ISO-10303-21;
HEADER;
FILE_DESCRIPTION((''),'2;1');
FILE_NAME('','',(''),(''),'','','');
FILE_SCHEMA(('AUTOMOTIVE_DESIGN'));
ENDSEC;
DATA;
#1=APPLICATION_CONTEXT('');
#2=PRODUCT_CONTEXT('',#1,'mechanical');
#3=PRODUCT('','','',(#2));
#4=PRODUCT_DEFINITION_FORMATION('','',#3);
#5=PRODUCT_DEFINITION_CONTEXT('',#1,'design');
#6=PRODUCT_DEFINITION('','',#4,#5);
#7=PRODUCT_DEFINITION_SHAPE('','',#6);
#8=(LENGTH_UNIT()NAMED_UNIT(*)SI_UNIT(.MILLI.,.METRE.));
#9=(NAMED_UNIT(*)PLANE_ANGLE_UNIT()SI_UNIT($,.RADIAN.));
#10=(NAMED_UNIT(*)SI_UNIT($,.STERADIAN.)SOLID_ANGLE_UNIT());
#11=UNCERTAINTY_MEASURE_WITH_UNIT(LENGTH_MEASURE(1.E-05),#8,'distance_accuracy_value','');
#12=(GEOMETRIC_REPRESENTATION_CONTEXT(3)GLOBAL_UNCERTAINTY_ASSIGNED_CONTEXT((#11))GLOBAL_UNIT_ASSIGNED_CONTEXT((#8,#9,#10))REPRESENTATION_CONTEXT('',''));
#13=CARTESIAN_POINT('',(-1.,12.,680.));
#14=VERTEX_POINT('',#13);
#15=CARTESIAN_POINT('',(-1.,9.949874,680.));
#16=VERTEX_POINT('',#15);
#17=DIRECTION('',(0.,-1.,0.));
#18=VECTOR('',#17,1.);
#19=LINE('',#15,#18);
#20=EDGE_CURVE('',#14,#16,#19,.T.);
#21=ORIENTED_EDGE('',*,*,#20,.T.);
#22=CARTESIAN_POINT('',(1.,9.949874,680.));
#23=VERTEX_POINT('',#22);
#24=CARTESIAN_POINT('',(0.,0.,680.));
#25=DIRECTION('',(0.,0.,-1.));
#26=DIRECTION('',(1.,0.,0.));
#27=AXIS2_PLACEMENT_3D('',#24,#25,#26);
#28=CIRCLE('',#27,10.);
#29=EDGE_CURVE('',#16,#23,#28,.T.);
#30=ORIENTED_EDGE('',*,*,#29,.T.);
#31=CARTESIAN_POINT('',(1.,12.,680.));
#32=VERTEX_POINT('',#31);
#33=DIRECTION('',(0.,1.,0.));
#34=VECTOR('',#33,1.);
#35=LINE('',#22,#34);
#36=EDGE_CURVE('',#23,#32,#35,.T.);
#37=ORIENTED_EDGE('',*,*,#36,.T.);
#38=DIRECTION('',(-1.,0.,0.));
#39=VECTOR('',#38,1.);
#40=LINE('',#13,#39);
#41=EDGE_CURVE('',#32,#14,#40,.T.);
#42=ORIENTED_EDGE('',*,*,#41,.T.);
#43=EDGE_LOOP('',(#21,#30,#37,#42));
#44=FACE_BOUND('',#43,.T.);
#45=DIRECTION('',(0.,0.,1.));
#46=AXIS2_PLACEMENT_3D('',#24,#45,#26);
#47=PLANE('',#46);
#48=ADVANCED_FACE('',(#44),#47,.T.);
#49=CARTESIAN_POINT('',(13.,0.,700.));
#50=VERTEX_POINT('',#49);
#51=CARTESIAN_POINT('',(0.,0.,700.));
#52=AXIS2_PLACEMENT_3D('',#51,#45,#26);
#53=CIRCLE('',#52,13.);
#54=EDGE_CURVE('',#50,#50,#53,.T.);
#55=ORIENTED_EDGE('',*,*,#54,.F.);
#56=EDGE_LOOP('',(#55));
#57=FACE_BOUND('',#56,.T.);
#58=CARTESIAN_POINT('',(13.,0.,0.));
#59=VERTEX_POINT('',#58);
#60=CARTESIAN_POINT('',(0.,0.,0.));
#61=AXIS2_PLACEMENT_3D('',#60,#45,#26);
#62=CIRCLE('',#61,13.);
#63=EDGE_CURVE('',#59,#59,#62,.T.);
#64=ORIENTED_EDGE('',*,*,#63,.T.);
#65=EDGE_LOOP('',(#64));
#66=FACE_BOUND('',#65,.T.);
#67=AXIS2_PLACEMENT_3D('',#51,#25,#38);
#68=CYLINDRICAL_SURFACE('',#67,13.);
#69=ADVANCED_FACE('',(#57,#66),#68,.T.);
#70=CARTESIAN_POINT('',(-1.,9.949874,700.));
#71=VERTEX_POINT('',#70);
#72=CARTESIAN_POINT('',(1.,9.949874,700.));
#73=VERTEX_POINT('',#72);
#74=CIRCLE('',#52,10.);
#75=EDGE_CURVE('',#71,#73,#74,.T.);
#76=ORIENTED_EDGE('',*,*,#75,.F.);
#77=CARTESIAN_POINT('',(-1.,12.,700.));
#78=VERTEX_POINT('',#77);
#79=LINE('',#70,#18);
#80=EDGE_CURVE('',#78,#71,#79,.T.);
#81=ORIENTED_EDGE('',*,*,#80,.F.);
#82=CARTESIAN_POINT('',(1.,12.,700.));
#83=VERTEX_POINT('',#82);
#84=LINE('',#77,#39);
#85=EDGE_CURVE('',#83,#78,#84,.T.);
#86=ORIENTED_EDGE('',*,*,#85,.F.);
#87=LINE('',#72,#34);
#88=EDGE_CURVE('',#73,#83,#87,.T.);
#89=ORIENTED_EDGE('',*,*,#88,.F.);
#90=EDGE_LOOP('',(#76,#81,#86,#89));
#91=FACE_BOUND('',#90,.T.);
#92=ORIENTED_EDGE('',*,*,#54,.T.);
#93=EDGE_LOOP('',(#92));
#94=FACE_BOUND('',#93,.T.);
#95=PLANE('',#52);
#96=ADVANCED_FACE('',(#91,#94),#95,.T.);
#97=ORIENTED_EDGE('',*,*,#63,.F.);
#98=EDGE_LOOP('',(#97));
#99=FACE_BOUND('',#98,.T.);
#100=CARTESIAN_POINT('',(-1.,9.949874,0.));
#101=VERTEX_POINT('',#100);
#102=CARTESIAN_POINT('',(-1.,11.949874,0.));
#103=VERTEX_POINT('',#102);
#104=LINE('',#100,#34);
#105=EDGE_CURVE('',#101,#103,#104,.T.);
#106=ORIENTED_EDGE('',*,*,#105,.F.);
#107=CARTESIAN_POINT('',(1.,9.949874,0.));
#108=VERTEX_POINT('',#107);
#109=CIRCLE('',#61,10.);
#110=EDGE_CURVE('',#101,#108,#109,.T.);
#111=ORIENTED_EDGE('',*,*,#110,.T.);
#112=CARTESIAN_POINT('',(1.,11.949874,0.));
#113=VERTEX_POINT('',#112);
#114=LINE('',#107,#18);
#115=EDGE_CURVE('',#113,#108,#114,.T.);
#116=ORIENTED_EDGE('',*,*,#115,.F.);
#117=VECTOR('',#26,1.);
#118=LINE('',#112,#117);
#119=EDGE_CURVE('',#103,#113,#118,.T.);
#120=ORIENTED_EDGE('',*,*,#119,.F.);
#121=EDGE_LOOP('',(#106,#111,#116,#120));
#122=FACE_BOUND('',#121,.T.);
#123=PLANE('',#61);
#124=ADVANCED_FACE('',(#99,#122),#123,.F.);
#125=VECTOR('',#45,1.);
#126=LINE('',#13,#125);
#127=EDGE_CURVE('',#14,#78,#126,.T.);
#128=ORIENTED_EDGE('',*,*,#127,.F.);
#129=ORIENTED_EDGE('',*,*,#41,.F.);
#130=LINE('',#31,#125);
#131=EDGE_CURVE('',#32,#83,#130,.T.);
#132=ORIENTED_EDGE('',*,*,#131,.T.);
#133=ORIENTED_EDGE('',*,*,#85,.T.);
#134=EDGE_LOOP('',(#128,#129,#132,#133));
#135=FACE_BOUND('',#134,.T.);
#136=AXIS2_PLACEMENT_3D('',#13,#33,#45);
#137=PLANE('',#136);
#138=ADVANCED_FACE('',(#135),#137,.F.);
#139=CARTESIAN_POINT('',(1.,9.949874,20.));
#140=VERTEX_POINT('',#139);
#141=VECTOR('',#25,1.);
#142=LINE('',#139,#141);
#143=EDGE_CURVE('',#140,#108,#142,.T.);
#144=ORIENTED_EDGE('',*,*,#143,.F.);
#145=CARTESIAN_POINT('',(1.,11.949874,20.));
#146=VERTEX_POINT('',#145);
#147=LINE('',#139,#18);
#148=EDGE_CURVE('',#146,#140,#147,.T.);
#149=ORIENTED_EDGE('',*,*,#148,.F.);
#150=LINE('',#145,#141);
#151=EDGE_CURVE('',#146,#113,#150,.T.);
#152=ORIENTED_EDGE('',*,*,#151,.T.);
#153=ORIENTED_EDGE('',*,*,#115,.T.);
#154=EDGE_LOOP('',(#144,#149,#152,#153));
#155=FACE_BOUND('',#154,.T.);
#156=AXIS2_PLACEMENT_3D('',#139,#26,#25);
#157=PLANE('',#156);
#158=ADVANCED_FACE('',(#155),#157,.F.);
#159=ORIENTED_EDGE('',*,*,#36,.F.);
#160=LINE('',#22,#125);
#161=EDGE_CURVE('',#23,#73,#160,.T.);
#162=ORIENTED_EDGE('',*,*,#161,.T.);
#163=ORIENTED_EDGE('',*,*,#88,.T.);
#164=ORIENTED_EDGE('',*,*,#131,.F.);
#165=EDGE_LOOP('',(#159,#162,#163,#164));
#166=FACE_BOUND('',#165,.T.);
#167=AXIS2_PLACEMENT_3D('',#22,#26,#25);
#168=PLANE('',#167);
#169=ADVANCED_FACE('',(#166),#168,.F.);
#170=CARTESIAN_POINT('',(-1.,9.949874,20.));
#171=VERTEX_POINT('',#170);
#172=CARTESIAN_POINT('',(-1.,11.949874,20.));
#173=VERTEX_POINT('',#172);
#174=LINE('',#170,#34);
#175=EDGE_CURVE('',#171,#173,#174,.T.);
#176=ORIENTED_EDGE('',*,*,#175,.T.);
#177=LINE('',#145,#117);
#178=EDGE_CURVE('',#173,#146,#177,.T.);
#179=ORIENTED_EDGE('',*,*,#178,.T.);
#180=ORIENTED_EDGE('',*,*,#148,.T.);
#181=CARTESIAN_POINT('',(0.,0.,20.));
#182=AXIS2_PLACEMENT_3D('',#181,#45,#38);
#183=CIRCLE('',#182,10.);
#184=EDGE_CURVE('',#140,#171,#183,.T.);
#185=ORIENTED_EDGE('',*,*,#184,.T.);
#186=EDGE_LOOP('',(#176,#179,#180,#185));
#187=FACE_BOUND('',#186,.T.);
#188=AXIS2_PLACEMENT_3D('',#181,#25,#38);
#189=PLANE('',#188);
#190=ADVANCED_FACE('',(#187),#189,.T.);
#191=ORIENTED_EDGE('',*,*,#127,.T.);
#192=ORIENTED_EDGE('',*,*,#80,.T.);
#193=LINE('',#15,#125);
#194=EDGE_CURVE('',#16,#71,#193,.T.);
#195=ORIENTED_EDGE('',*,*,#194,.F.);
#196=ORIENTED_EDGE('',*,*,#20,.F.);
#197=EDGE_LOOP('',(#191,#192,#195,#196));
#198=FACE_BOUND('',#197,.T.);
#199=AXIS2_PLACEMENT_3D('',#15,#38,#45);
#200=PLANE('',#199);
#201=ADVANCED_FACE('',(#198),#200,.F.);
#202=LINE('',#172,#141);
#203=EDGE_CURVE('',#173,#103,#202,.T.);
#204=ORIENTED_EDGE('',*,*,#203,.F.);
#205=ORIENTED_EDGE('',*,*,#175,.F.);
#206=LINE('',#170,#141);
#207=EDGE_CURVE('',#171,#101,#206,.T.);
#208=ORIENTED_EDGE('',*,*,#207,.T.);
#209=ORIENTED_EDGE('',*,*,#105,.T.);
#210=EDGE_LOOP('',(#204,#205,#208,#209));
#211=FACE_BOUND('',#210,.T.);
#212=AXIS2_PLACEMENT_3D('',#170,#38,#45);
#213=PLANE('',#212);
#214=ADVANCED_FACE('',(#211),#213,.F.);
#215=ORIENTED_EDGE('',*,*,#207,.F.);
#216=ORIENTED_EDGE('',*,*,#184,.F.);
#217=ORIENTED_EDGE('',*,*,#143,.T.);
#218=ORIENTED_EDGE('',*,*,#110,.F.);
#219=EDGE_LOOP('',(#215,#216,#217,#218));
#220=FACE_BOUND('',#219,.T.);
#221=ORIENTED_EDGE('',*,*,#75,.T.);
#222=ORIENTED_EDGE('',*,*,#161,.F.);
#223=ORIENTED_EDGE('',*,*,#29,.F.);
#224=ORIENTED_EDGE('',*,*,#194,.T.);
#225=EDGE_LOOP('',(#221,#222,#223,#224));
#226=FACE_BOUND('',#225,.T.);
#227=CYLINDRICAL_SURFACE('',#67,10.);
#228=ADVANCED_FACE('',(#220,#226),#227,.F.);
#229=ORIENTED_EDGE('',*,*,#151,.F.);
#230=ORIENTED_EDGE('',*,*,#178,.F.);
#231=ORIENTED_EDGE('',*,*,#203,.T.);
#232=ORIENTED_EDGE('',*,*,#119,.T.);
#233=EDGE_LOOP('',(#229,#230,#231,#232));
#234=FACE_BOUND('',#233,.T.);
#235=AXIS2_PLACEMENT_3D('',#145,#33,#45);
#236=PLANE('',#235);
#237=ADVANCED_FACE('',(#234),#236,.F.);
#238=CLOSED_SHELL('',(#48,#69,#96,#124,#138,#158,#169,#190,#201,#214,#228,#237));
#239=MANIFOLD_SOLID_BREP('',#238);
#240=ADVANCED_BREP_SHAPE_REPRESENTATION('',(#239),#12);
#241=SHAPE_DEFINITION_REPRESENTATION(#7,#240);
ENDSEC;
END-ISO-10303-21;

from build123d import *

# Parameters (mm, degrees)
SKETCH1_R           = 13
SKETCH1_R_2         = 10
BOSS_EXTRUDE1_DEPTH = 700
CUT_EXTRUDE1_START  = -20
CUT_EXTRUDE1_DEPTH  = 20
CUT_EXTRUDE2_DEPTH  = 20


with BuildPart() as part:
    # Sketch1 → Boss-Extrude1 (new body)
    with BuildSketch(Plane.XY):
        Circle(SKETCH1_R)
        Circle(SKETCH1_R_2, mode=Mode.SUBTRACT)
    extrude(amount=BOSS_EXTRUDE1_DEPTH)

    # Sketch2 → Cut-Extrude1 (cut)
    with BuildSketch(Plane.XY.offset(700).offset(CUT_EXTRUDE1_START)):
        with BuildLine():
            Line((-1, 9.949874371), (-1, 12))
            Line((-1, 12), (1, 12))
            Line((1, 12), (1, 9.949874371))
            ThreePointArc((1, 9.949874371), (0, 10), (-1, 9.949874371))
        make_face()
    extrude(amount=CUT_EXTRUDE1_DEPTH, mode=Mode.SUBTRACT)

    # Sketch3 → Cut-Extrude2 (cut)
    with BuildSketch(Plane(origin=(0, 0, 0), x_dir=(-1, 0, 0), z_dir=(0, 0, -1))):
        with BuildLine():
            Line((-1, 9.949874371), (-1, 11.949874371))
            Line((-1, 11.949874371), (1, 11.949874371))
            Line((1, 11.949874371), (1, 9.949874371))
            ThreePointArc((1, 9.949874371), (0, 10), (-1, 9.949874371))
        make_face()
    extrude(amount=-CUT_EXTRUDE2_DEPTH, mode=Mode.SUBTRACT)


solid = part.part
